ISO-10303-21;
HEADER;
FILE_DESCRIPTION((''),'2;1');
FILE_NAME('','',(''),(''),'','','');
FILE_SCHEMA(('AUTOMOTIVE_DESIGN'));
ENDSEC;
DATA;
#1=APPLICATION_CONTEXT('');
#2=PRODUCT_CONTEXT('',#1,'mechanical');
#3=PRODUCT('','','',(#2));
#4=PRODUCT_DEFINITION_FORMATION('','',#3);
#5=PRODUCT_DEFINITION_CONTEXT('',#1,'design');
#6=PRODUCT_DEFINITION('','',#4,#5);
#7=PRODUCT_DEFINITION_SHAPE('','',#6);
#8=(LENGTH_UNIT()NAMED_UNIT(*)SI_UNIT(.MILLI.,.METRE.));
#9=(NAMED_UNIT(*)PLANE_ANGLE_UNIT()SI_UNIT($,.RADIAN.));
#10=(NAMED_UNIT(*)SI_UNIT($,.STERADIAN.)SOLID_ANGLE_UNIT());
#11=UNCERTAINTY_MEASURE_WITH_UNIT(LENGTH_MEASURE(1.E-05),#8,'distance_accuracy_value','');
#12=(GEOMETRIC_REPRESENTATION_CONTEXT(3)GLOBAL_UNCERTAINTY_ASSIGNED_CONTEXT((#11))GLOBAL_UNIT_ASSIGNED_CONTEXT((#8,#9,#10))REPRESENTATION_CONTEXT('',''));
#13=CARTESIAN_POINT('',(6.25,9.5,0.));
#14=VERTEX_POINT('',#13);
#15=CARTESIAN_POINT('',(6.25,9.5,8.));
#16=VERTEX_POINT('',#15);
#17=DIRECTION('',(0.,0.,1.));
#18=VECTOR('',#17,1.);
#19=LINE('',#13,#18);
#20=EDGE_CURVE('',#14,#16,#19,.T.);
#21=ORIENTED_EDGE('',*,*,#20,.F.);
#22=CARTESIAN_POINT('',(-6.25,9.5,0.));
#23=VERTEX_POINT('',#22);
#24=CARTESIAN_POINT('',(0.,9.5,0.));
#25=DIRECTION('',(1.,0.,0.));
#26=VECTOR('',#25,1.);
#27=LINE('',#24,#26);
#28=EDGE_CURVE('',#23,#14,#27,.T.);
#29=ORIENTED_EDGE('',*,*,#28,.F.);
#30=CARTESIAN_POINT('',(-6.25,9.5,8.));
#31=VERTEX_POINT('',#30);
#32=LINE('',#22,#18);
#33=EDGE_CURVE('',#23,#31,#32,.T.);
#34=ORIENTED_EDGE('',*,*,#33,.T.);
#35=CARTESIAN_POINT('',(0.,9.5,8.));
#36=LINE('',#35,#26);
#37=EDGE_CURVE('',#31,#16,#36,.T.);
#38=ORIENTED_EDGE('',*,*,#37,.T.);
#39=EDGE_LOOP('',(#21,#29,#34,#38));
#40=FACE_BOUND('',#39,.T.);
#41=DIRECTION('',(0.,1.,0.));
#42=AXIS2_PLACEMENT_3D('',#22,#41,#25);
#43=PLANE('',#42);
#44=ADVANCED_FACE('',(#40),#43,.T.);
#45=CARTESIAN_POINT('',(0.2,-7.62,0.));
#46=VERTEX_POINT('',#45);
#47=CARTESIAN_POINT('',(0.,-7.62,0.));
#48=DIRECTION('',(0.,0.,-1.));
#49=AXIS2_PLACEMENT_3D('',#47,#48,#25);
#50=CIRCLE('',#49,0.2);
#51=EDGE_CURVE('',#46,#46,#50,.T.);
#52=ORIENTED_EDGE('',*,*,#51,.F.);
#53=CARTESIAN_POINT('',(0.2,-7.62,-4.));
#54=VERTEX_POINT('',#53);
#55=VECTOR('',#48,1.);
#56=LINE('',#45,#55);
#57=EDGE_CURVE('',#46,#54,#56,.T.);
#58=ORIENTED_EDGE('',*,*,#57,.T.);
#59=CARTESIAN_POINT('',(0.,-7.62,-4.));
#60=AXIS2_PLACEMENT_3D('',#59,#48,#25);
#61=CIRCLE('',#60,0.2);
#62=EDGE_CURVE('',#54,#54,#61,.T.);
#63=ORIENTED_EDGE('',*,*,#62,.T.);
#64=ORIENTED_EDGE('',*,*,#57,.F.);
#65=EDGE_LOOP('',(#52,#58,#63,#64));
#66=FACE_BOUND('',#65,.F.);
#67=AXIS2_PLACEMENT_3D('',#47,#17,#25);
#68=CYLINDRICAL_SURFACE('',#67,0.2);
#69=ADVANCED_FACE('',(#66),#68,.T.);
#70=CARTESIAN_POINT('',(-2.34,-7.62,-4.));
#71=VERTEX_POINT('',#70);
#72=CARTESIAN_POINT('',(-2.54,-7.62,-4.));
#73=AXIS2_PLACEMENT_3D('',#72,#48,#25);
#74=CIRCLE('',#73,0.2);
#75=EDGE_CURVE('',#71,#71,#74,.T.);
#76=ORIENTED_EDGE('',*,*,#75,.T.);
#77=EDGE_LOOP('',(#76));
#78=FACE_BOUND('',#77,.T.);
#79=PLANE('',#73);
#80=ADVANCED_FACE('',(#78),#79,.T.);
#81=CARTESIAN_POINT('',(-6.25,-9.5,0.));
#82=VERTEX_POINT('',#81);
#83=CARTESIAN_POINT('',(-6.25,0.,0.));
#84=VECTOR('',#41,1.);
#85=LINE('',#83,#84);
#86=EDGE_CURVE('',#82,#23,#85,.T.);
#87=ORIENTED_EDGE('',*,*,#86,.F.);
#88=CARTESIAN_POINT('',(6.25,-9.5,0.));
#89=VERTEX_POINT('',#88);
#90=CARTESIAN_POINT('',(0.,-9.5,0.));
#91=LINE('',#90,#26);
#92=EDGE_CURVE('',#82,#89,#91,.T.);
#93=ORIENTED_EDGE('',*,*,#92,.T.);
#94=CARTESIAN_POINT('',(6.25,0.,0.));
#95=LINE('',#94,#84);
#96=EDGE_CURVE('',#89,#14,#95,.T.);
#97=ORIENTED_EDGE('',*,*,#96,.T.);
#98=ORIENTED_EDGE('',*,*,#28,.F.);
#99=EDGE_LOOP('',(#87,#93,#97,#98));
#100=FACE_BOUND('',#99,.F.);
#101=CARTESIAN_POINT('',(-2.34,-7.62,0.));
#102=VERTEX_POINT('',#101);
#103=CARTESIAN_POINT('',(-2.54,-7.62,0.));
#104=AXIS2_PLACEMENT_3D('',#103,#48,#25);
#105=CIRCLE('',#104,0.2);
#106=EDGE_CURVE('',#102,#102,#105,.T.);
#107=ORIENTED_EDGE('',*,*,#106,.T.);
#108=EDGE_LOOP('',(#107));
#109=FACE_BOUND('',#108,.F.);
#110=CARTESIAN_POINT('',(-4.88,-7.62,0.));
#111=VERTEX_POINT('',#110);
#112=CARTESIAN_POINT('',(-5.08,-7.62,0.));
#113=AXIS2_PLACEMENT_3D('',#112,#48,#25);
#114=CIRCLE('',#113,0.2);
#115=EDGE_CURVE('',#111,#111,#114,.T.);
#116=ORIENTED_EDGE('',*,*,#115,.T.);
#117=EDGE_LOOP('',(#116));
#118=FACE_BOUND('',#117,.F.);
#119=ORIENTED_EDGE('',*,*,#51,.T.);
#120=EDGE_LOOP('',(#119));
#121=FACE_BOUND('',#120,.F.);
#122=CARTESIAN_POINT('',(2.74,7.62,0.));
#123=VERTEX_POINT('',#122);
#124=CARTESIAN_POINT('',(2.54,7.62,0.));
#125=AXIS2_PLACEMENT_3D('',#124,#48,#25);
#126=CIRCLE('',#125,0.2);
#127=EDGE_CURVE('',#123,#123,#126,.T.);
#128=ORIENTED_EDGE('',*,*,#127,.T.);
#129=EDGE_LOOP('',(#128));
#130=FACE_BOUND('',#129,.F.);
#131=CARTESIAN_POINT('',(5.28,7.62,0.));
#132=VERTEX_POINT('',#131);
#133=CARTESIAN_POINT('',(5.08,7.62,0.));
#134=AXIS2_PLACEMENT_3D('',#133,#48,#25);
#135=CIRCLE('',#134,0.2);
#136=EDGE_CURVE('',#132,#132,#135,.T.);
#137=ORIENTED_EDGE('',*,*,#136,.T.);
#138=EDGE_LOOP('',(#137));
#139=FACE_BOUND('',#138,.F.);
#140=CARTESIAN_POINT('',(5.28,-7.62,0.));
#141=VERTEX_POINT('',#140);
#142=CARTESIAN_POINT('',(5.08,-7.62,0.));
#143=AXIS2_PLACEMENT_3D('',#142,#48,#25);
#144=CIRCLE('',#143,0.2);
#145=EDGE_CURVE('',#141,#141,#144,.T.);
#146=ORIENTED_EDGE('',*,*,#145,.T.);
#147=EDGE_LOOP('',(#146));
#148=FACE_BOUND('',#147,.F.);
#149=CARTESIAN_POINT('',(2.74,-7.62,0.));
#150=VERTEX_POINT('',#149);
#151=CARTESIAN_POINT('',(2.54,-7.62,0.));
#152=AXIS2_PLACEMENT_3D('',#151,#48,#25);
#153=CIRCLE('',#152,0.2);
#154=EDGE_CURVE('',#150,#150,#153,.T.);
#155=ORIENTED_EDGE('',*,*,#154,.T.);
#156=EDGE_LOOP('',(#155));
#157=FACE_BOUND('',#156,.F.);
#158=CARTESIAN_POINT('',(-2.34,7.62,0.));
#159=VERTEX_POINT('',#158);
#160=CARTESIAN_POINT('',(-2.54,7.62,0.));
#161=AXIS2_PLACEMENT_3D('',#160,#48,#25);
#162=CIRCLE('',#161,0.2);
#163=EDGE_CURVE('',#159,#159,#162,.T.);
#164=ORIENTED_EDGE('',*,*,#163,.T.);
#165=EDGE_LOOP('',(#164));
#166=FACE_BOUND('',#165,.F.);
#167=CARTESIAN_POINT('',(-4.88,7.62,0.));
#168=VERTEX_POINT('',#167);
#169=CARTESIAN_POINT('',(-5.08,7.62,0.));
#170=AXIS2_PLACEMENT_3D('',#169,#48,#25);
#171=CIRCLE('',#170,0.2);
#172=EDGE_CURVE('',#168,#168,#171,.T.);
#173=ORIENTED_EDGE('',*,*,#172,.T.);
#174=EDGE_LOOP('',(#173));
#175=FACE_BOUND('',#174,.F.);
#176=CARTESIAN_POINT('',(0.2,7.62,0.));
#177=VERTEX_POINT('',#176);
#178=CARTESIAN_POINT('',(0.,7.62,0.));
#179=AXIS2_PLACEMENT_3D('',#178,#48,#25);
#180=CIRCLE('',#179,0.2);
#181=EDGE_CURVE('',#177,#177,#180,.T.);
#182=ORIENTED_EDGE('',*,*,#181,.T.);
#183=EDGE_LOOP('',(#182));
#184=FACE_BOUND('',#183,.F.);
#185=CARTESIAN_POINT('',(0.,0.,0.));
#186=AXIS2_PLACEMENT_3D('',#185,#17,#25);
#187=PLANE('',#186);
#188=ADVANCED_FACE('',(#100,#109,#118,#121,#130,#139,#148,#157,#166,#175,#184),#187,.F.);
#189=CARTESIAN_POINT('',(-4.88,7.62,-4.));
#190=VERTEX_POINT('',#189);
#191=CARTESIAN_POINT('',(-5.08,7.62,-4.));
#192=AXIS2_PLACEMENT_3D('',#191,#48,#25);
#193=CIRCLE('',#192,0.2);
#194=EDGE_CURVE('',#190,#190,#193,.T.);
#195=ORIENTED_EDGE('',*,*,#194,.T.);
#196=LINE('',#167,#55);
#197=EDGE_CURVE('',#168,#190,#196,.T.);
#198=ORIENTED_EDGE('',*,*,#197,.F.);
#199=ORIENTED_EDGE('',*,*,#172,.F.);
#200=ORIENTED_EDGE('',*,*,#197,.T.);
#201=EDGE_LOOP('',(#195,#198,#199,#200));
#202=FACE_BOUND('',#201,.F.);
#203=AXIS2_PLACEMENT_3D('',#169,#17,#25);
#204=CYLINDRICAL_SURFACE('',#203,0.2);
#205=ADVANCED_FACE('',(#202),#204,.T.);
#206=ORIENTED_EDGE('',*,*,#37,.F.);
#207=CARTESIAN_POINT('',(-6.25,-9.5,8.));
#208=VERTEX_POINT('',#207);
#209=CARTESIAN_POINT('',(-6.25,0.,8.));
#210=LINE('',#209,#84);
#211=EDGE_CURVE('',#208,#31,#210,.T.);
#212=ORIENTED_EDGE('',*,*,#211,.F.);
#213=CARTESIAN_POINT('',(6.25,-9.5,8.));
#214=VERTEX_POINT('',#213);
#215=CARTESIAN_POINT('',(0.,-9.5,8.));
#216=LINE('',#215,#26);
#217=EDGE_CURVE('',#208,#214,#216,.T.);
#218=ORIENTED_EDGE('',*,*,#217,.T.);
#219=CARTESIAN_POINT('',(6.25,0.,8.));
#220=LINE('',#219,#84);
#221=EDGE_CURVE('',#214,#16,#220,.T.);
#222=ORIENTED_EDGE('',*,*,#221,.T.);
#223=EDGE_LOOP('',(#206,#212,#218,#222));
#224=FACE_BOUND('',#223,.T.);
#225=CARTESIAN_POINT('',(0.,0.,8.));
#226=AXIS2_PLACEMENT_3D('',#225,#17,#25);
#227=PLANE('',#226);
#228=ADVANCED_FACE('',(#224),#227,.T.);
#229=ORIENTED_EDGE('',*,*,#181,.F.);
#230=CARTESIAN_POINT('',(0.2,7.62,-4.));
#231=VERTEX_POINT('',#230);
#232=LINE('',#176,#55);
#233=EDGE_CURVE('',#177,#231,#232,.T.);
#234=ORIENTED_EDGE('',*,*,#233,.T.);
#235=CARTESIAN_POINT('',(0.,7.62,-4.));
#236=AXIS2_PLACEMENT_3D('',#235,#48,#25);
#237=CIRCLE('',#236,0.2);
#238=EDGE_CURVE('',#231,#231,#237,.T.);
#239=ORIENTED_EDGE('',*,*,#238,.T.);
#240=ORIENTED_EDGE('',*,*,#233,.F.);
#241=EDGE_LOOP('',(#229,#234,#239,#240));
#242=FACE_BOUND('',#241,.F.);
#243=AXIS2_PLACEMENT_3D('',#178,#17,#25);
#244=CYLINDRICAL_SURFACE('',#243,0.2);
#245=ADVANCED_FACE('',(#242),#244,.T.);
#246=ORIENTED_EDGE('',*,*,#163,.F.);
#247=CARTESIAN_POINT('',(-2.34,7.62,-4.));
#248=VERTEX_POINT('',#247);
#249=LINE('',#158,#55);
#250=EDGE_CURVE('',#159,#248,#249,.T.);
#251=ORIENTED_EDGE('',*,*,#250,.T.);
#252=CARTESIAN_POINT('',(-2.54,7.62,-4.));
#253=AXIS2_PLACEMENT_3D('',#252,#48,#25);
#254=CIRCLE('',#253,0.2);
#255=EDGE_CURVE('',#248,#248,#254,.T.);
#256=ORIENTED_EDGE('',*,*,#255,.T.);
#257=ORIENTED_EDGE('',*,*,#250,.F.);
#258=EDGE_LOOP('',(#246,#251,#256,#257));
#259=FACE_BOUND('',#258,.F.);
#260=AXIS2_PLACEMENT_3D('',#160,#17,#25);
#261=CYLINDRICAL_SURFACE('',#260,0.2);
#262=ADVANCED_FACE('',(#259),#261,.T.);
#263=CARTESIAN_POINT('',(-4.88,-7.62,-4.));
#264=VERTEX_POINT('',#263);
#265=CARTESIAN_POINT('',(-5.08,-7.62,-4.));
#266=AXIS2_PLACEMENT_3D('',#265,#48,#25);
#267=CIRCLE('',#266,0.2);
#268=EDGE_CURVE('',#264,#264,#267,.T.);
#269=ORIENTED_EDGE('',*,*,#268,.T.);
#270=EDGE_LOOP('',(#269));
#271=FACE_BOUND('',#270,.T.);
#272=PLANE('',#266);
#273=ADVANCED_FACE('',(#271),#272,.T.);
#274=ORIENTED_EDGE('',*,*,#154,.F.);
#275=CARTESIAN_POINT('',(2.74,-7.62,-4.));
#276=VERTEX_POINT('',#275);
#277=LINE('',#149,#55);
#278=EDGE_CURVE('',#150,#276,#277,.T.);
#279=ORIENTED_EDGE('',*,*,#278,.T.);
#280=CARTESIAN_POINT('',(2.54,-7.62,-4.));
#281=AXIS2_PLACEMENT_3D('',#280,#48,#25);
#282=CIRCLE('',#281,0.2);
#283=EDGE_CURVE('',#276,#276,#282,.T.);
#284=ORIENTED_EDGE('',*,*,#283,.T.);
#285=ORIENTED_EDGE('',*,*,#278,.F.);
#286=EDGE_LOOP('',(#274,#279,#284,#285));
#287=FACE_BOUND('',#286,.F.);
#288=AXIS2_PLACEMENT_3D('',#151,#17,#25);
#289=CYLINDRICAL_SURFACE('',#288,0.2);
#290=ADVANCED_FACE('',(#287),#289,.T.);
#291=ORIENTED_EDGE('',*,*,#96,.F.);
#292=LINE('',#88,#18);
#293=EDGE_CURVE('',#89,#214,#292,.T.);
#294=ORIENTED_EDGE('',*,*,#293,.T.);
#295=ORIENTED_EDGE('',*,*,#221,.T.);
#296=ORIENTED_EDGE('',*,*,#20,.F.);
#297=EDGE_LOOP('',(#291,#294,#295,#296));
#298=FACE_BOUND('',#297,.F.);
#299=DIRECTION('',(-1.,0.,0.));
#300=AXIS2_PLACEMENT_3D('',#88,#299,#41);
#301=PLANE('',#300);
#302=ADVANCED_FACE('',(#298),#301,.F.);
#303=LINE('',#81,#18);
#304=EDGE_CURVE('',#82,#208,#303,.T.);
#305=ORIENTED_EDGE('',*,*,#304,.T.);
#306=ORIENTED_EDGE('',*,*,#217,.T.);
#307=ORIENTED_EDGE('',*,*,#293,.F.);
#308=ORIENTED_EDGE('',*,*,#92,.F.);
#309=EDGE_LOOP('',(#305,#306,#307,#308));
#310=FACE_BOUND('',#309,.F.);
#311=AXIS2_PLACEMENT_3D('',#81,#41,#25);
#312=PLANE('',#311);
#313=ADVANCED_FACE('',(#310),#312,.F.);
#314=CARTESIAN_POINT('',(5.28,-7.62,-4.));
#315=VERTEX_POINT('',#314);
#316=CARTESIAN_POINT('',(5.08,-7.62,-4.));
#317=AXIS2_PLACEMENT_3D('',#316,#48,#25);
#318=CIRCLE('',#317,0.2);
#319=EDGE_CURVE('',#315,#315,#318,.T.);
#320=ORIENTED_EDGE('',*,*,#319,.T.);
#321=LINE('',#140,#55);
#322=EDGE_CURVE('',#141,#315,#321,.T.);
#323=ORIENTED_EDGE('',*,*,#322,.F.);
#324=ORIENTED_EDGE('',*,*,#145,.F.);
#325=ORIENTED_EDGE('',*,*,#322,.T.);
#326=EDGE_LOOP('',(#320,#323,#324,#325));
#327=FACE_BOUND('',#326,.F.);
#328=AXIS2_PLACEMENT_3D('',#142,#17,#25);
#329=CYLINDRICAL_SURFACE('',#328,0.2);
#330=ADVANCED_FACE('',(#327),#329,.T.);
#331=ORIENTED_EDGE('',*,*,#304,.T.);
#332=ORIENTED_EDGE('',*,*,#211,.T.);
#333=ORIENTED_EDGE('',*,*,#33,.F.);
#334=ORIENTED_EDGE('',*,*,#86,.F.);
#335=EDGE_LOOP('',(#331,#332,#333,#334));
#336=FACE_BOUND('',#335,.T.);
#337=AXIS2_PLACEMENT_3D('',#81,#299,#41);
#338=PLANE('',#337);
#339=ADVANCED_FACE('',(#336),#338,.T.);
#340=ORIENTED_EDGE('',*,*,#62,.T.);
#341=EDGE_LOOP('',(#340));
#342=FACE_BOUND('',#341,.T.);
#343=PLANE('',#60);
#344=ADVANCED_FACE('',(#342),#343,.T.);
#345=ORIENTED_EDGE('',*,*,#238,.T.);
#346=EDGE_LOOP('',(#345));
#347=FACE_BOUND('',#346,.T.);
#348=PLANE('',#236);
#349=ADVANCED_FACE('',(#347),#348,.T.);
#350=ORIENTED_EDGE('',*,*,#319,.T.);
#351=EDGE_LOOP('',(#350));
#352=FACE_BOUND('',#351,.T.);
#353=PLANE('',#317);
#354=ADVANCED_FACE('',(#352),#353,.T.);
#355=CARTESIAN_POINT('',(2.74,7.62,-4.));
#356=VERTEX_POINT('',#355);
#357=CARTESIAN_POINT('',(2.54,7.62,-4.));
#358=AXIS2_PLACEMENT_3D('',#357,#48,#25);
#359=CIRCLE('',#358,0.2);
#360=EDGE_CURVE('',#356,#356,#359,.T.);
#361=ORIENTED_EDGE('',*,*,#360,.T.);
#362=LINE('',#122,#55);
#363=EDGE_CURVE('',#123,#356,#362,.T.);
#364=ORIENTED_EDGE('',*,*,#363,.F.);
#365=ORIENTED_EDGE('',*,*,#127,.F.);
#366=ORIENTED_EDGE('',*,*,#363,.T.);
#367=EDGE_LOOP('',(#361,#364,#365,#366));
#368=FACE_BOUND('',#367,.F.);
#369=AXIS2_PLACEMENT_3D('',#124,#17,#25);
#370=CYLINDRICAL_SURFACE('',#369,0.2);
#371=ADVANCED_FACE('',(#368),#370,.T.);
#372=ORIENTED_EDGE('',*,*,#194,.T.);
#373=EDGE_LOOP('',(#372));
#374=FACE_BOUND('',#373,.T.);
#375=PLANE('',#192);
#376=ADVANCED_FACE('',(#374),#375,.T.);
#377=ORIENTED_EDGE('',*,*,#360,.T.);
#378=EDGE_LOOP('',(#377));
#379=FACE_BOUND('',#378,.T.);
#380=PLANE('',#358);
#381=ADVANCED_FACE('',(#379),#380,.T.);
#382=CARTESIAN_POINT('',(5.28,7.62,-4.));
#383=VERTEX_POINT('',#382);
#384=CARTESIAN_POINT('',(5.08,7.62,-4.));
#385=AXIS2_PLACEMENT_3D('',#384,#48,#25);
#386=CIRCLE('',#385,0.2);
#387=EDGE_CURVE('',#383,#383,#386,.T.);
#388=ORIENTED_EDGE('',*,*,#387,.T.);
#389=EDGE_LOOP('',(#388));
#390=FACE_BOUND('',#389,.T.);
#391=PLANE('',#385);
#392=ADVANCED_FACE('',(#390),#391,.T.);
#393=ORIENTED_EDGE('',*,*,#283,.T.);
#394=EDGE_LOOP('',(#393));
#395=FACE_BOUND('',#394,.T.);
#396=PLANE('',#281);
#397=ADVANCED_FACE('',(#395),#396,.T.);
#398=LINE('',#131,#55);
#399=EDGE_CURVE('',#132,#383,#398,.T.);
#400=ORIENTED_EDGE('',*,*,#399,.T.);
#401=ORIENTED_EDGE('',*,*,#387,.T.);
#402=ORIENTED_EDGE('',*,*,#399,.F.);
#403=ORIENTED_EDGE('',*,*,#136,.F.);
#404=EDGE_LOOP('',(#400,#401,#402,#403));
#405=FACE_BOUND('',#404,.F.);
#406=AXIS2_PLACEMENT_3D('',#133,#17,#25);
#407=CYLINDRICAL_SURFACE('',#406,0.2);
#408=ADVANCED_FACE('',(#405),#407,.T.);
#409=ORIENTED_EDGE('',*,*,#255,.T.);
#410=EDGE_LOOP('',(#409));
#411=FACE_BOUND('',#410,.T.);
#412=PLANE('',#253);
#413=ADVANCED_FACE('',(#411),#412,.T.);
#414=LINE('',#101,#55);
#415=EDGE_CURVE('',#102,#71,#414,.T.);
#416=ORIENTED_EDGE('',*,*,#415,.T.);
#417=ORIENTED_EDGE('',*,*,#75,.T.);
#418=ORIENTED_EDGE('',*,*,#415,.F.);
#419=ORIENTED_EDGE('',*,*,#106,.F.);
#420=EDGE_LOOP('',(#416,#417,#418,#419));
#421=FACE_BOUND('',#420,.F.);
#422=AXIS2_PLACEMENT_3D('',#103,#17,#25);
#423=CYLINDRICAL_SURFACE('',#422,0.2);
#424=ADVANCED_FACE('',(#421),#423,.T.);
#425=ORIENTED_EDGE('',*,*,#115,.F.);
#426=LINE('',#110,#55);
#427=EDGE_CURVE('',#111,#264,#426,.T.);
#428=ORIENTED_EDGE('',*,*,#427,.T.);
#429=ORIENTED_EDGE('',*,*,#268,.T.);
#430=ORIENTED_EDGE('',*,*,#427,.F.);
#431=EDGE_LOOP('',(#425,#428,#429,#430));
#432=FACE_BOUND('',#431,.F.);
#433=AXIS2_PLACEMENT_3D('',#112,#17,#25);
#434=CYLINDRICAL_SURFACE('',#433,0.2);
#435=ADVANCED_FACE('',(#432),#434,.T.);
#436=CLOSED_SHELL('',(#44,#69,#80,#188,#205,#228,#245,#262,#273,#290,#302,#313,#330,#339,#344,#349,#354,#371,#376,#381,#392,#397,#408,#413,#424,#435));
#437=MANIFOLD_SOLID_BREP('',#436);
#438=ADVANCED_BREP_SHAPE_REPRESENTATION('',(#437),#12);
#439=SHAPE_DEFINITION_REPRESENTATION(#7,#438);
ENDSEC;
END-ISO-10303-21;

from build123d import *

# Parameters (mm, degrees)
F0_W     = 12.5
F0_H     = 19
F1_DEPTH = 8
F2_R     = 0.2
F3_DEPTH = 4


with BuildPart() as f1:
    # F0 (on Top) → F1 (new body)
    with BuildSketch(Plane.XY):
        Rectangle(F0_W, F0_H)
    extrude(amount=F1_DEPTH)

    # F2 (on face) → F3 (join)
    with BuildSketch(Plane(origin=(0, 0, 0), x_dir=(1, 0, 0), z_dir=(0, 0, -1))):
        with Locations((-5.08, -7.62)):
            Circle(F2_R)
        with Locations((-5.08, 7.62)):
            Circle(F2_R)
        with Locations((-2.54, -7.62)):
            Circle(F2_R)
        with Locations((-2.54, 7.62)):
            Circle(F2_R)
        with Locations((0, -7.62)):
            Circle(F2_R)
        with Locations((0, 7.62)):
            Circle(F2_R)
        with Locations((2.54, -7.62)):
            Circle(F2_R)
        with Locations((2.54, 7.62)):
            Circle(F2_R)
        with Locations((5.08, -7.62)):
            Circle(F2_R)
        with Locations((5.08, 7.62)):
            Circle(F2_R)
    extrude(amount=F3_DEPTH)


solid = f1.part
